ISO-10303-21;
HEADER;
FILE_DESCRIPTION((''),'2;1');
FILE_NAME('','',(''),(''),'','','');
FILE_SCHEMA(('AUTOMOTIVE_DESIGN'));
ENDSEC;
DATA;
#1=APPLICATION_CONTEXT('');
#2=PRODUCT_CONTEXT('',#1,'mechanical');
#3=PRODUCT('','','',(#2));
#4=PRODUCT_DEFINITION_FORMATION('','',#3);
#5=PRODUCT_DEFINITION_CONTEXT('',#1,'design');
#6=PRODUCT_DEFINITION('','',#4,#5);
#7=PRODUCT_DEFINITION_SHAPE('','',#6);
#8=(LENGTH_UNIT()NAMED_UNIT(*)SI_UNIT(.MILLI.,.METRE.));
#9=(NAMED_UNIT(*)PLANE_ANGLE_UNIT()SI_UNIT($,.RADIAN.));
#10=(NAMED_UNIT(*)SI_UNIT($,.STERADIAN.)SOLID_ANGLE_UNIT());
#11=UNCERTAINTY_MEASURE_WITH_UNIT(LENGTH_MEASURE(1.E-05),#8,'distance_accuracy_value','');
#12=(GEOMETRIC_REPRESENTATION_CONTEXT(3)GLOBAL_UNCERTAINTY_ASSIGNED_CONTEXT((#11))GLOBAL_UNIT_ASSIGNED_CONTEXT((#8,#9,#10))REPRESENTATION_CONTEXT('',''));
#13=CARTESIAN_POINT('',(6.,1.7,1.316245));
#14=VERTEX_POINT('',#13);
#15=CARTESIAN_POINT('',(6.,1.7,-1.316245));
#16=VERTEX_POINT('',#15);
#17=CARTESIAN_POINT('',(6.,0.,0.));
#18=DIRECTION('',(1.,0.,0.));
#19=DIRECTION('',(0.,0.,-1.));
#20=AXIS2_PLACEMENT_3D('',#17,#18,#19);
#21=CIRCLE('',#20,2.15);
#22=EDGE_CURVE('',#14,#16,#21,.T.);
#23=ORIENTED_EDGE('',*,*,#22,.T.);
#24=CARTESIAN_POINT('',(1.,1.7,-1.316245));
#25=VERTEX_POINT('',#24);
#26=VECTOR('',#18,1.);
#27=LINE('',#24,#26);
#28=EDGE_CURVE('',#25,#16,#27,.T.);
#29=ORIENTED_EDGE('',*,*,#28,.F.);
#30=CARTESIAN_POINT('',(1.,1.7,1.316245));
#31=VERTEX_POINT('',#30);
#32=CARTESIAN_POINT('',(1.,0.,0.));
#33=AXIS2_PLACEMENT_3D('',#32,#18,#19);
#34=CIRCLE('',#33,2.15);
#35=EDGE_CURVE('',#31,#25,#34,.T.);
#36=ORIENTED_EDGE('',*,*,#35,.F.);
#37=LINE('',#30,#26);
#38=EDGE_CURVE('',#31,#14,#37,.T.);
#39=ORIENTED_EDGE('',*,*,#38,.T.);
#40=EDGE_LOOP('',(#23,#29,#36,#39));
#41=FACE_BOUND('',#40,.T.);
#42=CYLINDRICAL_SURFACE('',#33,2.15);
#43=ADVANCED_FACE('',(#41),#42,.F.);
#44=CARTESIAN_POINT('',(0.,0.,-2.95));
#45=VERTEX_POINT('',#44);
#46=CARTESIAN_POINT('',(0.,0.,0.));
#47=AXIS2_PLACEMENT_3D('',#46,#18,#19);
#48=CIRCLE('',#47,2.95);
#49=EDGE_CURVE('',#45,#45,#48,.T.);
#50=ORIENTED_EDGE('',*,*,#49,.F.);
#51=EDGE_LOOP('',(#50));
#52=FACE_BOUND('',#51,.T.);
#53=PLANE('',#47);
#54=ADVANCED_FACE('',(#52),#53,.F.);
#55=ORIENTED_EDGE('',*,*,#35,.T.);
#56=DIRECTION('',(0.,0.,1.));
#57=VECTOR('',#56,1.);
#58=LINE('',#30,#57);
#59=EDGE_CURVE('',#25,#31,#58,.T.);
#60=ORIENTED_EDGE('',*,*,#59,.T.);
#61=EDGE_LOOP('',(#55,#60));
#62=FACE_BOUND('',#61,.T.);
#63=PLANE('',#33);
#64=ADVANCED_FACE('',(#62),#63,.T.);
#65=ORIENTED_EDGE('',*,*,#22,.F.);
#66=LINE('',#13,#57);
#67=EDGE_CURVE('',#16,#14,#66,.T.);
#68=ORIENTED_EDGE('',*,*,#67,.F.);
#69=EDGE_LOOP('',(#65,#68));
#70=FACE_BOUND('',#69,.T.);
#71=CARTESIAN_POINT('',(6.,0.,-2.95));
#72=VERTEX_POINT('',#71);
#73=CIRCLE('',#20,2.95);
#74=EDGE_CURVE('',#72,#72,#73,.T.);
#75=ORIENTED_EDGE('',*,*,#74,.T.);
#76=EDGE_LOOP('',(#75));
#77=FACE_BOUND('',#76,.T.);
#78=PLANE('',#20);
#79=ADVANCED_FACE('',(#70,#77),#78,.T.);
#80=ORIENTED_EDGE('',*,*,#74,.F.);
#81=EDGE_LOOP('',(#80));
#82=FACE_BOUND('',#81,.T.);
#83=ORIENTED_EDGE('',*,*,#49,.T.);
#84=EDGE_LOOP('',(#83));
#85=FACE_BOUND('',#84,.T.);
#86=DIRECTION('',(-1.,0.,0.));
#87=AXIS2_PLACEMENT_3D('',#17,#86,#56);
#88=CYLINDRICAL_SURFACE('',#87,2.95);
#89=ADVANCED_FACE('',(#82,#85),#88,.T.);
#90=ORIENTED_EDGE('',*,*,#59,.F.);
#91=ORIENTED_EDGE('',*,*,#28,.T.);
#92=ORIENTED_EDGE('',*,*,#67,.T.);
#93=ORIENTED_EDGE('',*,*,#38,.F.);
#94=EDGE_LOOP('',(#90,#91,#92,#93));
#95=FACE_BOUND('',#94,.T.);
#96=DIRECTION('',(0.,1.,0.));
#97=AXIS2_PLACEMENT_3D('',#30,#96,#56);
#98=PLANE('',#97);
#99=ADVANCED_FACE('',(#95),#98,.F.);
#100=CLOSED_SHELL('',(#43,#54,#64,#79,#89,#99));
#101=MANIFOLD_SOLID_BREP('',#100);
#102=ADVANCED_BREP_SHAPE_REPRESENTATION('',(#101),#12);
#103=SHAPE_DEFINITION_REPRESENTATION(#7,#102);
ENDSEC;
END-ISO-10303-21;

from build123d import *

# Parameters (mm, degrees)
SKETCH5_R           = 2.95
BOSS_EXTRUDE2_DEPTH = 6
CUT_EXTRUDE1_DEPTH  = 5


with BuildPart() as part:
    # Sketch5 → Boss-Extrude2 (new body)
    with BuildSketch(Plane(origin=(0, 0, 0), x_dir=(0, 0, -1), z_dir=(1, 0, 0))):
        Circle(SKETCH5_R)
    extrude(amount=BOSS_EXTRUDE2_DEPTH)

    # Sketch7 → Cut-Extrude1 (cut)
    with BuildSketch(Plane(origin=(6, 0, 0), x_dir=(0, 0, -1), z_dir=(1, 0, 0))):
        with BuildLine():
            Line((-1.316244658, 1.7), (1.316244658, 1.7))
            ThreePointArc((1.316244658, 1.7), (0, -2.15), (-1.316244658, 1.7))
        make_face()
    extrude(amount=-CUT_EXTRUDE1_DEPTH, mode=Mode.SUBTRACT)


solid = part.part
